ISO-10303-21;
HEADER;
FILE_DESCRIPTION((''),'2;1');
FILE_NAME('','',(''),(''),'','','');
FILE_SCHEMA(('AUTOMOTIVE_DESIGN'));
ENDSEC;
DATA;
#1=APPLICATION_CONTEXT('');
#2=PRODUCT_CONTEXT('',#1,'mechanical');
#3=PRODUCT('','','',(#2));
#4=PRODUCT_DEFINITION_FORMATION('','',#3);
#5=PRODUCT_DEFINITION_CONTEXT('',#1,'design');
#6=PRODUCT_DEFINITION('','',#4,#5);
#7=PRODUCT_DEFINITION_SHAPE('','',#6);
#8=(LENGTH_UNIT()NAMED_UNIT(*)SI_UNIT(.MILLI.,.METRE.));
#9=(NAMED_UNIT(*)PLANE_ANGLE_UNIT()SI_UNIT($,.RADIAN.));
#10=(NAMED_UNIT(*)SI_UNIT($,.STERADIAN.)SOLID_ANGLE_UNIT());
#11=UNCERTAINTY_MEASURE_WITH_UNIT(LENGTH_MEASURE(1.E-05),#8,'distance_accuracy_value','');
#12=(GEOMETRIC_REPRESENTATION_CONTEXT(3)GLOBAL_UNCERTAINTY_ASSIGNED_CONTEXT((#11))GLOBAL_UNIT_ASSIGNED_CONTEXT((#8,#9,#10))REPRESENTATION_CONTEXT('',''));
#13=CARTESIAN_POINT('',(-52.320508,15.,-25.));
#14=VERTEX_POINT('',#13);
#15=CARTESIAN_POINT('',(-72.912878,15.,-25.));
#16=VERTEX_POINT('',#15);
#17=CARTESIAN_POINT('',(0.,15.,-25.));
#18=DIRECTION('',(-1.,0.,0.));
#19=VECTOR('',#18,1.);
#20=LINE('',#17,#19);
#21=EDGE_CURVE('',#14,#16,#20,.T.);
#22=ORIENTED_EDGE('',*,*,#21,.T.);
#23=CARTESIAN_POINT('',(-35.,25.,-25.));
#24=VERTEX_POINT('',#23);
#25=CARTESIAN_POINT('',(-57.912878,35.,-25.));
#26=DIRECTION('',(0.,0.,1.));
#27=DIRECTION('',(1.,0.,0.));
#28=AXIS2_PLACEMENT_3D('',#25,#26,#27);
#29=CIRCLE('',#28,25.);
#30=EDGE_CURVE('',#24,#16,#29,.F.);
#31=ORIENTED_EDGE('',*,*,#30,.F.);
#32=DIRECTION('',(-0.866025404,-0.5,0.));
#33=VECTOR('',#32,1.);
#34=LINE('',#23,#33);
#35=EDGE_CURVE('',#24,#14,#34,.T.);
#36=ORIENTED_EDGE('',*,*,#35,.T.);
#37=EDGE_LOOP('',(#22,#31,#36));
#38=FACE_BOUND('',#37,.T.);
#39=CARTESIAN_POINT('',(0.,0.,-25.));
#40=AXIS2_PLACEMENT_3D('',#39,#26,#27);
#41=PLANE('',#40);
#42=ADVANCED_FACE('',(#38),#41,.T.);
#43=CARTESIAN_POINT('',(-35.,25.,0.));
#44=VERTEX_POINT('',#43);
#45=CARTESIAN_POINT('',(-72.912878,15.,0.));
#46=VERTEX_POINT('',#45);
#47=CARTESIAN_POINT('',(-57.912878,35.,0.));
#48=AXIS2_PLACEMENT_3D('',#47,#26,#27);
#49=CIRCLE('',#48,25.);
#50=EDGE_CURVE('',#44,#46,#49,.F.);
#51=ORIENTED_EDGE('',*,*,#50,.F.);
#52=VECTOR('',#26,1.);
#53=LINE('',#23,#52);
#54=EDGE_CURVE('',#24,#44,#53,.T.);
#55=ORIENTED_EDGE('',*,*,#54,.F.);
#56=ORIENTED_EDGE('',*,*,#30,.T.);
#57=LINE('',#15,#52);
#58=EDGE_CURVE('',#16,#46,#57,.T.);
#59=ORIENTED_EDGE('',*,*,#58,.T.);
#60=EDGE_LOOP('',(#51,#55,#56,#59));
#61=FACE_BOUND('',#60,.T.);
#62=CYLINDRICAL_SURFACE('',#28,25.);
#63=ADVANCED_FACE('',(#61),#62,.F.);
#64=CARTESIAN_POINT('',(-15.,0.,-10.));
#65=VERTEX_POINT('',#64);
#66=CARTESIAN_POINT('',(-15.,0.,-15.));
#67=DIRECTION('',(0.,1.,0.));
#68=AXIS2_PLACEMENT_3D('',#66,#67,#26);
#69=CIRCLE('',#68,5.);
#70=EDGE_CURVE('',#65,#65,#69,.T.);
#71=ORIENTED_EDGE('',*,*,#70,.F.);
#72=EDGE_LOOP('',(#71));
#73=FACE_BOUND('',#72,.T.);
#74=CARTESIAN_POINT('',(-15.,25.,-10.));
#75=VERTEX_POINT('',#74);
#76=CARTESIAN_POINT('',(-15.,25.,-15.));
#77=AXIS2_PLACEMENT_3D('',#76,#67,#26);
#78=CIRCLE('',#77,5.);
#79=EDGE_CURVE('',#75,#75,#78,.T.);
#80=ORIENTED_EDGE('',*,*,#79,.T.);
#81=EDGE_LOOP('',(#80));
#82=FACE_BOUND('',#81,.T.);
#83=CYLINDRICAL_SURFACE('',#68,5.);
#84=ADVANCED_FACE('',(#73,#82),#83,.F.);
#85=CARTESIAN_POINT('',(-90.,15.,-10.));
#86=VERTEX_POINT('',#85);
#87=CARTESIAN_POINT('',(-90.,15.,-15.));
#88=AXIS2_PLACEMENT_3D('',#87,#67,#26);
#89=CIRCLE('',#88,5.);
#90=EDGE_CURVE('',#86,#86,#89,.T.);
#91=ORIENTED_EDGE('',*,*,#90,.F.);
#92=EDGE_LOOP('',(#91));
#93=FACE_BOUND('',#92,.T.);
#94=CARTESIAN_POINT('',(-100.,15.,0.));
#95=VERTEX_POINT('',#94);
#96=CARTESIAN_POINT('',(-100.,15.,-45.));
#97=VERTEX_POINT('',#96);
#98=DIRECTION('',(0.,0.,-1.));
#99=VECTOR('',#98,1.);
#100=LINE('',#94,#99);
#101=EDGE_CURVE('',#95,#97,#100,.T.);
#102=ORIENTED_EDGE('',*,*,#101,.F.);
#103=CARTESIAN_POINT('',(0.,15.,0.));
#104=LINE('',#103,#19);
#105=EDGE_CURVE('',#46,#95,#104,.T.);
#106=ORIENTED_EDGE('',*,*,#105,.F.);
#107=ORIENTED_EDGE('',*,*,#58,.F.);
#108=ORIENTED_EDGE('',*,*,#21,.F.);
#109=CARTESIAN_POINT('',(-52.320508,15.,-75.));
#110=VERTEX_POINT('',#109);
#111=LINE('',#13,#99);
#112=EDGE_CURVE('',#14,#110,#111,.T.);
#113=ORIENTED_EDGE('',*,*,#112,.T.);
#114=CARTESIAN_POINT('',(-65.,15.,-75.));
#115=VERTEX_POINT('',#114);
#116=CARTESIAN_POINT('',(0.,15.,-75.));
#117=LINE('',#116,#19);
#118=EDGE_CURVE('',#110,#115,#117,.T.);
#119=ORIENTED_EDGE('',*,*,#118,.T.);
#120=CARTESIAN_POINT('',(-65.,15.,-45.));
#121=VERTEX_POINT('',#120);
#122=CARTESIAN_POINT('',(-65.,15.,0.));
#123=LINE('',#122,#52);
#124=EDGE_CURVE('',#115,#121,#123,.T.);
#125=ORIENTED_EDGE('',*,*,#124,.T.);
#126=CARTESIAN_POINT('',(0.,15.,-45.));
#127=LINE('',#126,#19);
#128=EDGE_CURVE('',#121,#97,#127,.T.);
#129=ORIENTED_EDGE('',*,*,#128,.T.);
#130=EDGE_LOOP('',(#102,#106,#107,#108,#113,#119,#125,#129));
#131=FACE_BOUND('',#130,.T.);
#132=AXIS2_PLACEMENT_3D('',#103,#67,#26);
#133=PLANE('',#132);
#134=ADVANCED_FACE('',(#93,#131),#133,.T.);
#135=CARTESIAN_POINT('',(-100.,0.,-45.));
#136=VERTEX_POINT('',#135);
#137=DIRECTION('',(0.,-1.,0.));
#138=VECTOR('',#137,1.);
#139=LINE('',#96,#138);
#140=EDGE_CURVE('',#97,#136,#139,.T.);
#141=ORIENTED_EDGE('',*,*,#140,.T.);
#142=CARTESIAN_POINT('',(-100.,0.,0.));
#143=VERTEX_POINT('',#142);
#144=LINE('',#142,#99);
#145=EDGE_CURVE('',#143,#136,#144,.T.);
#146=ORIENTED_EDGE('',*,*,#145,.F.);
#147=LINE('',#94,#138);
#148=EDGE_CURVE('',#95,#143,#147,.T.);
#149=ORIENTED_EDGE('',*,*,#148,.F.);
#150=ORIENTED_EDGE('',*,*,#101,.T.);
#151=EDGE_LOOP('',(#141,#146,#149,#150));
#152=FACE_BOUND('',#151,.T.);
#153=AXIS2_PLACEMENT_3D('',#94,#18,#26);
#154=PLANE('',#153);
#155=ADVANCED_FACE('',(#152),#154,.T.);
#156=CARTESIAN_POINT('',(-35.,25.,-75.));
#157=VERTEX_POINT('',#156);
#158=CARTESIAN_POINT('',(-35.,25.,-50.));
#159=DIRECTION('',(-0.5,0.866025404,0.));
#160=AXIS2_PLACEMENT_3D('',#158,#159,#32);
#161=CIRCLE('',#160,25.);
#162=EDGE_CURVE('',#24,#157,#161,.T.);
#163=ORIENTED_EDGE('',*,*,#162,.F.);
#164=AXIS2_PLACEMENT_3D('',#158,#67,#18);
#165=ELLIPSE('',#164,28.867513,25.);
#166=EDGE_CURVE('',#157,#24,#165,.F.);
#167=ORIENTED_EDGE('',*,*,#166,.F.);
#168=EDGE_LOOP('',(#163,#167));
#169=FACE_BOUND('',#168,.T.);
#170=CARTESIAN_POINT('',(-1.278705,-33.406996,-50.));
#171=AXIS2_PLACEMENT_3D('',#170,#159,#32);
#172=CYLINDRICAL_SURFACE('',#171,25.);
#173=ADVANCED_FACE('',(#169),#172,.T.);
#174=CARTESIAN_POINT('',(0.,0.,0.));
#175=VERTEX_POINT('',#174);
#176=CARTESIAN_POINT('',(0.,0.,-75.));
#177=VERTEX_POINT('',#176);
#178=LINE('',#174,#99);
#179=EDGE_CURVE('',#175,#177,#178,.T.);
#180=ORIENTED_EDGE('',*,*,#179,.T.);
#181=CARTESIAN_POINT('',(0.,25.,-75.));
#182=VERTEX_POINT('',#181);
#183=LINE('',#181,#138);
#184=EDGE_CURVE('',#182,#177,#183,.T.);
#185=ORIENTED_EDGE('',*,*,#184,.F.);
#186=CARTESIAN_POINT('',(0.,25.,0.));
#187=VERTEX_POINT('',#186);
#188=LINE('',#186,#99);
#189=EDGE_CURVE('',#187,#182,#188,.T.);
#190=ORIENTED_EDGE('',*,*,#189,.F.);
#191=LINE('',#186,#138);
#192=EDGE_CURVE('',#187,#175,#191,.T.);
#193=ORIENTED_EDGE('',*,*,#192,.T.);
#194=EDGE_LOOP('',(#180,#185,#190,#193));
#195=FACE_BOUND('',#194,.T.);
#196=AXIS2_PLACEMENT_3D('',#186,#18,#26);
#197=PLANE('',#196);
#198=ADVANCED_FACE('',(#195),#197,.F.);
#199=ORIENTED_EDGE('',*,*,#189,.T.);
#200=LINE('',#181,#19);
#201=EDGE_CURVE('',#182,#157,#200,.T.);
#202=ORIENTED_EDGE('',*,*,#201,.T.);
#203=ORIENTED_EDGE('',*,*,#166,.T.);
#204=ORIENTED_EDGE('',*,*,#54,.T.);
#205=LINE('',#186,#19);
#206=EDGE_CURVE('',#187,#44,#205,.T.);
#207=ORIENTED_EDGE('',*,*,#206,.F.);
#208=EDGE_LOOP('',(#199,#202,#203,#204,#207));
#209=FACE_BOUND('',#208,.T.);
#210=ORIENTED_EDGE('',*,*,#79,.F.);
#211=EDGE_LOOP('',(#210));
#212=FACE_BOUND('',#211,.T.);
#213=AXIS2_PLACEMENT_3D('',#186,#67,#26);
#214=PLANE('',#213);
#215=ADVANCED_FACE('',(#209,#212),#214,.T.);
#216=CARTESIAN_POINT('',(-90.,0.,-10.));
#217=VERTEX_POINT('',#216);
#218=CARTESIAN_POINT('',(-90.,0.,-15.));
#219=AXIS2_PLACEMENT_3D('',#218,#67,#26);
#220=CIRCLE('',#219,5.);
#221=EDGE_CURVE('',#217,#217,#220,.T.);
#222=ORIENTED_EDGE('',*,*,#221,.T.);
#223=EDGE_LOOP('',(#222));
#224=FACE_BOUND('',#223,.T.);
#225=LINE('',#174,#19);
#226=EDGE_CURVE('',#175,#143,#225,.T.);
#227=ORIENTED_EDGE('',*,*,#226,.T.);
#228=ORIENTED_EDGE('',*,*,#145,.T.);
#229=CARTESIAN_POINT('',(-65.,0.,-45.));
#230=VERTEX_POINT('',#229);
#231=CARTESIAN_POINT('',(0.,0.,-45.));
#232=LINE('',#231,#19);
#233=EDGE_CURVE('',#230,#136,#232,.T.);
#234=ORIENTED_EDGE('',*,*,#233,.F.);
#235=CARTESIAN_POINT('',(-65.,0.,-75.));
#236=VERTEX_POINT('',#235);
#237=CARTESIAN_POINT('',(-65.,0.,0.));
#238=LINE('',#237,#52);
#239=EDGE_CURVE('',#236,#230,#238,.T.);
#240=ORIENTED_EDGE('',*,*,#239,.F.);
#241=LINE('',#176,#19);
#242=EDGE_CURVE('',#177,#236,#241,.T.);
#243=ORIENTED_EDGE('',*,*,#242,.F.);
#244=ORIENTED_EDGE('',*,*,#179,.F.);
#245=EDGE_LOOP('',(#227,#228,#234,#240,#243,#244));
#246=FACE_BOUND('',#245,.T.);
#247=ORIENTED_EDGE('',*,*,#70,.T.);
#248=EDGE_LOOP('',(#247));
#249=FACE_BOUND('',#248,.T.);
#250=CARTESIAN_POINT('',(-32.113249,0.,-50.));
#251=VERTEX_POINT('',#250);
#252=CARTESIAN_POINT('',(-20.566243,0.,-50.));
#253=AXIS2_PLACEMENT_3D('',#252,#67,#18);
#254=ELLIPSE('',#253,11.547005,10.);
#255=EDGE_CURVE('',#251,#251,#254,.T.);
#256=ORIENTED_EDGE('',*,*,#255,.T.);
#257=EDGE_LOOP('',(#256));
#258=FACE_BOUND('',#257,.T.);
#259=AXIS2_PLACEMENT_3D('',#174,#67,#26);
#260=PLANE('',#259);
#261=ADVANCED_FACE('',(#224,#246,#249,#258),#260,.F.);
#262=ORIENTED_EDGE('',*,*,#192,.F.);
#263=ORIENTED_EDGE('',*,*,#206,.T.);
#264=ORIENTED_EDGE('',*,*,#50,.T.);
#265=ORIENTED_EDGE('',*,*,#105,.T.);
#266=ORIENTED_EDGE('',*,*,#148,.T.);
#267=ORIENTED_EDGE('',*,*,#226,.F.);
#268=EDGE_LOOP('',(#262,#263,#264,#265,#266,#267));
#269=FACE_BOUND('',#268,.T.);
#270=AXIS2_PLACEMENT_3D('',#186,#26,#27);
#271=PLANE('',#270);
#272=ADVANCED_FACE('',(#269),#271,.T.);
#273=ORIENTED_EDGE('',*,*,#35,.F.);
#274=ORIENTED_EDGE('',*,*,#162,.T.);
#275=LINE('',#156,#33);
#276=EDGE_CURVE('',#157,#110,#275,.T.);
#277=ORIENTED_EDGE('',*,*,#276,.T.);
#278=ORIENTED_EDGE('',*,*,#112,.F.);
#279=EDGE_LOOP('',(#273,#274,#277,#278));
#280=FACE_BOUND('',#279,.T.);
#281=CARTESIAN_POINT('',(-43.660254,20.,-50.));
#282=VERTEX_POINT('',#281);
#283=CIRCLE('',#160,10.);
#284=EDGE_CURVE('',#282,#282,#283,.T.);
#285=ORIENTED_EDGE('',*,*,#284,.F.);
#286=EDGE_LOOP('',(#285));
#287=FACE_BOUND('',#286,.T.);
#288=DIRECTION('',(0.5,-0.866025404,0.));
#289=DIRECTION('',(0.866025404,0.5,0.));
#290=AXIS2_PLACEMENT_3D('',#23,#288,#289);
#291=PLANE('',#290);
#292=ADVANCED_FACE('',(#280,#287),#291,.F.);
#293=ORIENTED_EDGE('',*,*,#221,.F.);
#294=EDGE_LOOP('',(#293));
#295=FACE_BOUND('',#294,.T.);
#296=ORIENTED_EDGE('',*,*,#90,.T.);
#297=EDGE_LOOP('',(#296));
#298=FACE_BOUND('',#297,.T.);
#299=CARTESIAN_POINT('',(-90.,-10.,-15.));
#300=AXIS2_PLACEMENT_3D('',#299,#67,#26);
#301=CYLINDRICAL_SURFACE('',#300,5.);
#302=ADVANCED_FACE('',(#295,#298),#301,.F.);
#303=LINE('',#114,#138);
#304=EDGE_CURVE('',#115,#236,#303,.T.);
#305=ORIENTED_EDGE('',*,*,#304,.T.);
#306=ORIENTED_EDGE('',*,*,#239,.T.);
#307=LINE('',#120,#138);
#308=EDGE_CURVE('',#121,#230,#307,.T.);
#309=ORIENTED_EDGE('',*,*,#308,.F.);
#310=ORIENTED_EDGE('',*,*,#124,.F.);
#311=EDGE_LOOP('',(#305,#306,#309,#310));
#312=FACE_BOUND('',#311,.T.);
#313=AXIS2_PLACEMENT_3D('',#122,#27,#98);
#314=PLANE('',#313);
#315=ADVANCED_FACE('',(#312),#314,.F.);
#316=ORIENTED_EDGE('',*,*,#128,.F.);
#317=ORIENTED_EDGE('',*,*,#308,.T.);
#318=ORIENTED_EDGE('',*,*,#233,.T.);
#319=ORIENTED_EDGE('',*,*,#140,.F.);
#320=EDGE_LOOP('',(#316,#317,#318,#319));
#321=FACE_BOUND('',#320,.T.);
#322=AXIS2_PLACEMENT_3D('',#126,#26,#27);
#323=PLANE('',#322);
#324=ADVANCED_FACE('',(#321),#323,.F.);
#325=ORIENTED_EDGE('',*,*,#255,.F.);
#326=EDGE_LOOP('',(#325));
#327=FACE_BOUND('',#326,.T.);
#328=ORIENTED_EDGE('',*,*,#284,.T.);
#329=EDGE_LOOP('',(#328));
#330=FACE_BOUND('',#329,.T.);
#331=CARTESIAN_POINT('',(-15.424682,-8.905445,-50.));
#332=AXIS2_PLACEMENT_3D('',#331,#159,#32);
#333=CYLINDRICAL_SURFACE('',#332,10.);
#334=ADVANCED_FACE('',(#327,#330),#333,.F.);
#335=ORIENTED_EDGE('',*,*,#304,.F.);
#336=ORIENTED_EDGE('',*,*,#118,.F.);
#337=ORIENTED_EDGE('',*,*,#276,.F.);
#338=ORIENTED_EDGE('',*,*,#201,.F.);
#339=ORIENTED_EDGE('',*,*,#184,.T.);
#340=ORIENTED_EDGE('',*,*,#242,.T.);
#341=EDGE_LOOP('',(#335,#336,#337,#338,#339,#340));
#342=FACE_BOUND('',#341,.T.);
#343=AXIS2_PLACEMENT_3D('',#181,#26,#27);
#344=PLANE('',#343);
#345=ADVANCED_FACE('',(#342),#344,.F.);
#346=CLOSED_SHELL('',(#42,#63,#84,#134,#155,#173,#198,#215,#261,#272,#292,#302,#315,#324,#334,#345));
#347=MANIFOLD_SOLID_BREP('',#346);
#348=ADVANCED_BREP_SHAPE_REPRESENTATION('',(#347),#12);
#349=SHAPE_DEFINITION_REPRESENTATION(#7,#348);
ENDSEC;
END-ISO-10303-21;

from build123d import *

# Parameters (mm, degrees)
IZIM1_W                     = 35
IZIM1_H                     = 75
Y_KSEKLIK_EKSTR_ZYON1_DEPTH = 25
Y_KSEKLIK_EKSTR_ZYON2_DEPTH = 15
KES_EKSTR_ZYON1_DEPTH       = 25
Y_KSEKLIK_EKSTR_ZYON3_DEPTH = 25
IZIM3_R                     = 5
KES_EKSTR_ZYON2_DEPTH       = 25
IZIM4_R                     = 5
KES_EKSTR_ZYON3_DEPTH       = 128.47548784
Y_KSEKLIK_EKSTR_ZYON4_DEPTH = 50
Y_KSEKLIK_EKSTR_ZYON5_REACH = 117.077
IZIM7_R                     = 10
KES_EKSTR_ZYON4_DEPTH       = 116.076968672


with BuildPart() as part:
    # Çizim1 → Yükseklik-Ekstrüzyon1 (new body)
    with BuildSketch(Plane(origin=(0, 0, 0), x_dir=(1, 0, 0), z_dir=(0, 1, 0))):
        with Locations((-17.5, 37.5)):
            Rectangle(IZIM1_W, IZIM1_H)
    extrude(amount=Y_KSEKLIK_EKSTR_ZYON1_DEPTH)

    # Çizim1<4> → Yükseklik-Ekstrüzyon2 (add)
    with BuildSketch(Plane(origin=(0, 0, 0), x_dir=(1, 0, 0), z_dir=(0, 1, 0))):
        Polygon((-35, 75), (-65, 75), (-65, 45), (-100, 45), (-100, 0), (-35, 0), align=None)
    extrude(amount=Y_KSEKLIK_EKSTR_ZYON2_DEPTH)

    # Çizim2 → Kes-Ekstrüzyon1 (cut)
    with BuildSketch(Plane.XY):
        with BuildLine():
            Line((-42.912878475, 15), (-72.912878475, 15))
            ThreePointArc((-72.912878475, 15), (-57.912878475, 10), (-42.912878475, 15))
        make_face()
    extrude(amount=-KES_EKSTR_ZYON1_DEPTH, mode=Mode.SUBTRACT)

    # Çizim2<3> → Yükseklik-Ekstrüzyon3 (add)
    with BuildSketch(Plane.XY):
        with BuildLine():
            ThreePointArc((-35, 25), (-38.30811914, 19.486992186), (-42.912878475, 15))
            Line((-42.912878475, 15), (-35, 15))
            Line((-35, 15), (-35, 25))
        make_face()
    extrude(amount=-Y_KSEKLIK_EKSTR_ZYON3_DEPTH)

    # Çizim3 → Kes-Ekstrüzyon2 (cut)
    with BuildSketch(Plane(origin=(0, 15, 0), x_dir=(1, 0, 0), z_dir=(0, 1, 0))):
        with Locations((-90, 15)):
            Circle(IZIM3_R)
    extrude(amount=-KES_EKSTR_ZYON2_DEPTH, mode=Mode.SUBTRACT)

    # Çizim4 → Kes-Ekstrüzyon3 (cut, through all)
    with BuildSketch(Plane(origin=(0, 25, 0), x_dir=(1, 0, 0), z_dir=(0, 1, 0))):
        with Locations((-15, 15)):
            Circle(IZIM4_R)
    extrude(amount=-KES_EKSTR_ZYON3_DEPTH, mode=Mode.SUBTRACT)

    # Çizim5 → Yükseklik-Ekstrüzyon4 (add)
    with BuildSketch(Plane.XY.offset(-75)):
        Polygon((-35, 25), (-52.320508076, 15), (-35, 15), align=None)
    extrude(amount=Y_KSEKLIK_EKSTR_ZYON4_DEPTH)

    # Yükseklik-Ekstrüzyon5: up to this face of the body (flat: up to its plane)
    y_kseklik_ekstr_zyon5_end = Plane(part.part.faces().sort_by_distance((-17.577106857, 25, -38.193961712))[0])
    # Çizim6 → Yükseklik-Ekstrüzyon5 (add, up to the picked face)
    with BuildSketch(Plane(origin=(-19.575317547, 33.905444566, 0), x_dir=(0.8660254037844379, 0.5000000000000013, 0), z_dir=(-0.5000000000000013, 0.8660254037844379, 0)), mode=Mode.PRIVATE) as y_kseklik_ekstr_zyon5_sk1:
        with BuildLine():
            Line((-17.810889132, 25), (-17.810889132, 75))
            ThreePointArc((-17.810889132, 75), (7.189110868, 50), (-17.810889132, 25))
        make_face()
    y_kseklik_ekstr_zyon5_tool1 = split(extrude(y_kseklik_ekstr_zyon5_sk1.sketch, amount=-Y_KSEKLIK_EKSTR_ZYON5_REACH, mode=Mode.PRIVATE), bisect_by=y_kseklik_ekstr_zyon5_end, keep=Keep.BOTH, mode=Mode.PRIVATE)
    add(y_kseklik_ekstr_zyon5_tool1.solids().sort_by(Axis((-25.811185, 30.305165, -50), (0.5000000000000013, -0.8660254037844379, 0)))[0])

    # Çizim7 → Kes-Ekstrüzyon4 (cut, through all)
    with BuildSketch(Plane(origin=(-19.575317547, 33.905444566, 0), x_dir=(0.8660254037844379, 0.5000000000000013, 0), z_dir=(-0.5000000000000013, 0.8660254037844379, 0))):
        with Locations((-17.810889132, 50)):
            Circle(IZIM7_R)
    extrude(amount=-KES_EKSTR_ZYON4_DEPTH, mode=Mode.SUBTRACT)


solid = part.part
